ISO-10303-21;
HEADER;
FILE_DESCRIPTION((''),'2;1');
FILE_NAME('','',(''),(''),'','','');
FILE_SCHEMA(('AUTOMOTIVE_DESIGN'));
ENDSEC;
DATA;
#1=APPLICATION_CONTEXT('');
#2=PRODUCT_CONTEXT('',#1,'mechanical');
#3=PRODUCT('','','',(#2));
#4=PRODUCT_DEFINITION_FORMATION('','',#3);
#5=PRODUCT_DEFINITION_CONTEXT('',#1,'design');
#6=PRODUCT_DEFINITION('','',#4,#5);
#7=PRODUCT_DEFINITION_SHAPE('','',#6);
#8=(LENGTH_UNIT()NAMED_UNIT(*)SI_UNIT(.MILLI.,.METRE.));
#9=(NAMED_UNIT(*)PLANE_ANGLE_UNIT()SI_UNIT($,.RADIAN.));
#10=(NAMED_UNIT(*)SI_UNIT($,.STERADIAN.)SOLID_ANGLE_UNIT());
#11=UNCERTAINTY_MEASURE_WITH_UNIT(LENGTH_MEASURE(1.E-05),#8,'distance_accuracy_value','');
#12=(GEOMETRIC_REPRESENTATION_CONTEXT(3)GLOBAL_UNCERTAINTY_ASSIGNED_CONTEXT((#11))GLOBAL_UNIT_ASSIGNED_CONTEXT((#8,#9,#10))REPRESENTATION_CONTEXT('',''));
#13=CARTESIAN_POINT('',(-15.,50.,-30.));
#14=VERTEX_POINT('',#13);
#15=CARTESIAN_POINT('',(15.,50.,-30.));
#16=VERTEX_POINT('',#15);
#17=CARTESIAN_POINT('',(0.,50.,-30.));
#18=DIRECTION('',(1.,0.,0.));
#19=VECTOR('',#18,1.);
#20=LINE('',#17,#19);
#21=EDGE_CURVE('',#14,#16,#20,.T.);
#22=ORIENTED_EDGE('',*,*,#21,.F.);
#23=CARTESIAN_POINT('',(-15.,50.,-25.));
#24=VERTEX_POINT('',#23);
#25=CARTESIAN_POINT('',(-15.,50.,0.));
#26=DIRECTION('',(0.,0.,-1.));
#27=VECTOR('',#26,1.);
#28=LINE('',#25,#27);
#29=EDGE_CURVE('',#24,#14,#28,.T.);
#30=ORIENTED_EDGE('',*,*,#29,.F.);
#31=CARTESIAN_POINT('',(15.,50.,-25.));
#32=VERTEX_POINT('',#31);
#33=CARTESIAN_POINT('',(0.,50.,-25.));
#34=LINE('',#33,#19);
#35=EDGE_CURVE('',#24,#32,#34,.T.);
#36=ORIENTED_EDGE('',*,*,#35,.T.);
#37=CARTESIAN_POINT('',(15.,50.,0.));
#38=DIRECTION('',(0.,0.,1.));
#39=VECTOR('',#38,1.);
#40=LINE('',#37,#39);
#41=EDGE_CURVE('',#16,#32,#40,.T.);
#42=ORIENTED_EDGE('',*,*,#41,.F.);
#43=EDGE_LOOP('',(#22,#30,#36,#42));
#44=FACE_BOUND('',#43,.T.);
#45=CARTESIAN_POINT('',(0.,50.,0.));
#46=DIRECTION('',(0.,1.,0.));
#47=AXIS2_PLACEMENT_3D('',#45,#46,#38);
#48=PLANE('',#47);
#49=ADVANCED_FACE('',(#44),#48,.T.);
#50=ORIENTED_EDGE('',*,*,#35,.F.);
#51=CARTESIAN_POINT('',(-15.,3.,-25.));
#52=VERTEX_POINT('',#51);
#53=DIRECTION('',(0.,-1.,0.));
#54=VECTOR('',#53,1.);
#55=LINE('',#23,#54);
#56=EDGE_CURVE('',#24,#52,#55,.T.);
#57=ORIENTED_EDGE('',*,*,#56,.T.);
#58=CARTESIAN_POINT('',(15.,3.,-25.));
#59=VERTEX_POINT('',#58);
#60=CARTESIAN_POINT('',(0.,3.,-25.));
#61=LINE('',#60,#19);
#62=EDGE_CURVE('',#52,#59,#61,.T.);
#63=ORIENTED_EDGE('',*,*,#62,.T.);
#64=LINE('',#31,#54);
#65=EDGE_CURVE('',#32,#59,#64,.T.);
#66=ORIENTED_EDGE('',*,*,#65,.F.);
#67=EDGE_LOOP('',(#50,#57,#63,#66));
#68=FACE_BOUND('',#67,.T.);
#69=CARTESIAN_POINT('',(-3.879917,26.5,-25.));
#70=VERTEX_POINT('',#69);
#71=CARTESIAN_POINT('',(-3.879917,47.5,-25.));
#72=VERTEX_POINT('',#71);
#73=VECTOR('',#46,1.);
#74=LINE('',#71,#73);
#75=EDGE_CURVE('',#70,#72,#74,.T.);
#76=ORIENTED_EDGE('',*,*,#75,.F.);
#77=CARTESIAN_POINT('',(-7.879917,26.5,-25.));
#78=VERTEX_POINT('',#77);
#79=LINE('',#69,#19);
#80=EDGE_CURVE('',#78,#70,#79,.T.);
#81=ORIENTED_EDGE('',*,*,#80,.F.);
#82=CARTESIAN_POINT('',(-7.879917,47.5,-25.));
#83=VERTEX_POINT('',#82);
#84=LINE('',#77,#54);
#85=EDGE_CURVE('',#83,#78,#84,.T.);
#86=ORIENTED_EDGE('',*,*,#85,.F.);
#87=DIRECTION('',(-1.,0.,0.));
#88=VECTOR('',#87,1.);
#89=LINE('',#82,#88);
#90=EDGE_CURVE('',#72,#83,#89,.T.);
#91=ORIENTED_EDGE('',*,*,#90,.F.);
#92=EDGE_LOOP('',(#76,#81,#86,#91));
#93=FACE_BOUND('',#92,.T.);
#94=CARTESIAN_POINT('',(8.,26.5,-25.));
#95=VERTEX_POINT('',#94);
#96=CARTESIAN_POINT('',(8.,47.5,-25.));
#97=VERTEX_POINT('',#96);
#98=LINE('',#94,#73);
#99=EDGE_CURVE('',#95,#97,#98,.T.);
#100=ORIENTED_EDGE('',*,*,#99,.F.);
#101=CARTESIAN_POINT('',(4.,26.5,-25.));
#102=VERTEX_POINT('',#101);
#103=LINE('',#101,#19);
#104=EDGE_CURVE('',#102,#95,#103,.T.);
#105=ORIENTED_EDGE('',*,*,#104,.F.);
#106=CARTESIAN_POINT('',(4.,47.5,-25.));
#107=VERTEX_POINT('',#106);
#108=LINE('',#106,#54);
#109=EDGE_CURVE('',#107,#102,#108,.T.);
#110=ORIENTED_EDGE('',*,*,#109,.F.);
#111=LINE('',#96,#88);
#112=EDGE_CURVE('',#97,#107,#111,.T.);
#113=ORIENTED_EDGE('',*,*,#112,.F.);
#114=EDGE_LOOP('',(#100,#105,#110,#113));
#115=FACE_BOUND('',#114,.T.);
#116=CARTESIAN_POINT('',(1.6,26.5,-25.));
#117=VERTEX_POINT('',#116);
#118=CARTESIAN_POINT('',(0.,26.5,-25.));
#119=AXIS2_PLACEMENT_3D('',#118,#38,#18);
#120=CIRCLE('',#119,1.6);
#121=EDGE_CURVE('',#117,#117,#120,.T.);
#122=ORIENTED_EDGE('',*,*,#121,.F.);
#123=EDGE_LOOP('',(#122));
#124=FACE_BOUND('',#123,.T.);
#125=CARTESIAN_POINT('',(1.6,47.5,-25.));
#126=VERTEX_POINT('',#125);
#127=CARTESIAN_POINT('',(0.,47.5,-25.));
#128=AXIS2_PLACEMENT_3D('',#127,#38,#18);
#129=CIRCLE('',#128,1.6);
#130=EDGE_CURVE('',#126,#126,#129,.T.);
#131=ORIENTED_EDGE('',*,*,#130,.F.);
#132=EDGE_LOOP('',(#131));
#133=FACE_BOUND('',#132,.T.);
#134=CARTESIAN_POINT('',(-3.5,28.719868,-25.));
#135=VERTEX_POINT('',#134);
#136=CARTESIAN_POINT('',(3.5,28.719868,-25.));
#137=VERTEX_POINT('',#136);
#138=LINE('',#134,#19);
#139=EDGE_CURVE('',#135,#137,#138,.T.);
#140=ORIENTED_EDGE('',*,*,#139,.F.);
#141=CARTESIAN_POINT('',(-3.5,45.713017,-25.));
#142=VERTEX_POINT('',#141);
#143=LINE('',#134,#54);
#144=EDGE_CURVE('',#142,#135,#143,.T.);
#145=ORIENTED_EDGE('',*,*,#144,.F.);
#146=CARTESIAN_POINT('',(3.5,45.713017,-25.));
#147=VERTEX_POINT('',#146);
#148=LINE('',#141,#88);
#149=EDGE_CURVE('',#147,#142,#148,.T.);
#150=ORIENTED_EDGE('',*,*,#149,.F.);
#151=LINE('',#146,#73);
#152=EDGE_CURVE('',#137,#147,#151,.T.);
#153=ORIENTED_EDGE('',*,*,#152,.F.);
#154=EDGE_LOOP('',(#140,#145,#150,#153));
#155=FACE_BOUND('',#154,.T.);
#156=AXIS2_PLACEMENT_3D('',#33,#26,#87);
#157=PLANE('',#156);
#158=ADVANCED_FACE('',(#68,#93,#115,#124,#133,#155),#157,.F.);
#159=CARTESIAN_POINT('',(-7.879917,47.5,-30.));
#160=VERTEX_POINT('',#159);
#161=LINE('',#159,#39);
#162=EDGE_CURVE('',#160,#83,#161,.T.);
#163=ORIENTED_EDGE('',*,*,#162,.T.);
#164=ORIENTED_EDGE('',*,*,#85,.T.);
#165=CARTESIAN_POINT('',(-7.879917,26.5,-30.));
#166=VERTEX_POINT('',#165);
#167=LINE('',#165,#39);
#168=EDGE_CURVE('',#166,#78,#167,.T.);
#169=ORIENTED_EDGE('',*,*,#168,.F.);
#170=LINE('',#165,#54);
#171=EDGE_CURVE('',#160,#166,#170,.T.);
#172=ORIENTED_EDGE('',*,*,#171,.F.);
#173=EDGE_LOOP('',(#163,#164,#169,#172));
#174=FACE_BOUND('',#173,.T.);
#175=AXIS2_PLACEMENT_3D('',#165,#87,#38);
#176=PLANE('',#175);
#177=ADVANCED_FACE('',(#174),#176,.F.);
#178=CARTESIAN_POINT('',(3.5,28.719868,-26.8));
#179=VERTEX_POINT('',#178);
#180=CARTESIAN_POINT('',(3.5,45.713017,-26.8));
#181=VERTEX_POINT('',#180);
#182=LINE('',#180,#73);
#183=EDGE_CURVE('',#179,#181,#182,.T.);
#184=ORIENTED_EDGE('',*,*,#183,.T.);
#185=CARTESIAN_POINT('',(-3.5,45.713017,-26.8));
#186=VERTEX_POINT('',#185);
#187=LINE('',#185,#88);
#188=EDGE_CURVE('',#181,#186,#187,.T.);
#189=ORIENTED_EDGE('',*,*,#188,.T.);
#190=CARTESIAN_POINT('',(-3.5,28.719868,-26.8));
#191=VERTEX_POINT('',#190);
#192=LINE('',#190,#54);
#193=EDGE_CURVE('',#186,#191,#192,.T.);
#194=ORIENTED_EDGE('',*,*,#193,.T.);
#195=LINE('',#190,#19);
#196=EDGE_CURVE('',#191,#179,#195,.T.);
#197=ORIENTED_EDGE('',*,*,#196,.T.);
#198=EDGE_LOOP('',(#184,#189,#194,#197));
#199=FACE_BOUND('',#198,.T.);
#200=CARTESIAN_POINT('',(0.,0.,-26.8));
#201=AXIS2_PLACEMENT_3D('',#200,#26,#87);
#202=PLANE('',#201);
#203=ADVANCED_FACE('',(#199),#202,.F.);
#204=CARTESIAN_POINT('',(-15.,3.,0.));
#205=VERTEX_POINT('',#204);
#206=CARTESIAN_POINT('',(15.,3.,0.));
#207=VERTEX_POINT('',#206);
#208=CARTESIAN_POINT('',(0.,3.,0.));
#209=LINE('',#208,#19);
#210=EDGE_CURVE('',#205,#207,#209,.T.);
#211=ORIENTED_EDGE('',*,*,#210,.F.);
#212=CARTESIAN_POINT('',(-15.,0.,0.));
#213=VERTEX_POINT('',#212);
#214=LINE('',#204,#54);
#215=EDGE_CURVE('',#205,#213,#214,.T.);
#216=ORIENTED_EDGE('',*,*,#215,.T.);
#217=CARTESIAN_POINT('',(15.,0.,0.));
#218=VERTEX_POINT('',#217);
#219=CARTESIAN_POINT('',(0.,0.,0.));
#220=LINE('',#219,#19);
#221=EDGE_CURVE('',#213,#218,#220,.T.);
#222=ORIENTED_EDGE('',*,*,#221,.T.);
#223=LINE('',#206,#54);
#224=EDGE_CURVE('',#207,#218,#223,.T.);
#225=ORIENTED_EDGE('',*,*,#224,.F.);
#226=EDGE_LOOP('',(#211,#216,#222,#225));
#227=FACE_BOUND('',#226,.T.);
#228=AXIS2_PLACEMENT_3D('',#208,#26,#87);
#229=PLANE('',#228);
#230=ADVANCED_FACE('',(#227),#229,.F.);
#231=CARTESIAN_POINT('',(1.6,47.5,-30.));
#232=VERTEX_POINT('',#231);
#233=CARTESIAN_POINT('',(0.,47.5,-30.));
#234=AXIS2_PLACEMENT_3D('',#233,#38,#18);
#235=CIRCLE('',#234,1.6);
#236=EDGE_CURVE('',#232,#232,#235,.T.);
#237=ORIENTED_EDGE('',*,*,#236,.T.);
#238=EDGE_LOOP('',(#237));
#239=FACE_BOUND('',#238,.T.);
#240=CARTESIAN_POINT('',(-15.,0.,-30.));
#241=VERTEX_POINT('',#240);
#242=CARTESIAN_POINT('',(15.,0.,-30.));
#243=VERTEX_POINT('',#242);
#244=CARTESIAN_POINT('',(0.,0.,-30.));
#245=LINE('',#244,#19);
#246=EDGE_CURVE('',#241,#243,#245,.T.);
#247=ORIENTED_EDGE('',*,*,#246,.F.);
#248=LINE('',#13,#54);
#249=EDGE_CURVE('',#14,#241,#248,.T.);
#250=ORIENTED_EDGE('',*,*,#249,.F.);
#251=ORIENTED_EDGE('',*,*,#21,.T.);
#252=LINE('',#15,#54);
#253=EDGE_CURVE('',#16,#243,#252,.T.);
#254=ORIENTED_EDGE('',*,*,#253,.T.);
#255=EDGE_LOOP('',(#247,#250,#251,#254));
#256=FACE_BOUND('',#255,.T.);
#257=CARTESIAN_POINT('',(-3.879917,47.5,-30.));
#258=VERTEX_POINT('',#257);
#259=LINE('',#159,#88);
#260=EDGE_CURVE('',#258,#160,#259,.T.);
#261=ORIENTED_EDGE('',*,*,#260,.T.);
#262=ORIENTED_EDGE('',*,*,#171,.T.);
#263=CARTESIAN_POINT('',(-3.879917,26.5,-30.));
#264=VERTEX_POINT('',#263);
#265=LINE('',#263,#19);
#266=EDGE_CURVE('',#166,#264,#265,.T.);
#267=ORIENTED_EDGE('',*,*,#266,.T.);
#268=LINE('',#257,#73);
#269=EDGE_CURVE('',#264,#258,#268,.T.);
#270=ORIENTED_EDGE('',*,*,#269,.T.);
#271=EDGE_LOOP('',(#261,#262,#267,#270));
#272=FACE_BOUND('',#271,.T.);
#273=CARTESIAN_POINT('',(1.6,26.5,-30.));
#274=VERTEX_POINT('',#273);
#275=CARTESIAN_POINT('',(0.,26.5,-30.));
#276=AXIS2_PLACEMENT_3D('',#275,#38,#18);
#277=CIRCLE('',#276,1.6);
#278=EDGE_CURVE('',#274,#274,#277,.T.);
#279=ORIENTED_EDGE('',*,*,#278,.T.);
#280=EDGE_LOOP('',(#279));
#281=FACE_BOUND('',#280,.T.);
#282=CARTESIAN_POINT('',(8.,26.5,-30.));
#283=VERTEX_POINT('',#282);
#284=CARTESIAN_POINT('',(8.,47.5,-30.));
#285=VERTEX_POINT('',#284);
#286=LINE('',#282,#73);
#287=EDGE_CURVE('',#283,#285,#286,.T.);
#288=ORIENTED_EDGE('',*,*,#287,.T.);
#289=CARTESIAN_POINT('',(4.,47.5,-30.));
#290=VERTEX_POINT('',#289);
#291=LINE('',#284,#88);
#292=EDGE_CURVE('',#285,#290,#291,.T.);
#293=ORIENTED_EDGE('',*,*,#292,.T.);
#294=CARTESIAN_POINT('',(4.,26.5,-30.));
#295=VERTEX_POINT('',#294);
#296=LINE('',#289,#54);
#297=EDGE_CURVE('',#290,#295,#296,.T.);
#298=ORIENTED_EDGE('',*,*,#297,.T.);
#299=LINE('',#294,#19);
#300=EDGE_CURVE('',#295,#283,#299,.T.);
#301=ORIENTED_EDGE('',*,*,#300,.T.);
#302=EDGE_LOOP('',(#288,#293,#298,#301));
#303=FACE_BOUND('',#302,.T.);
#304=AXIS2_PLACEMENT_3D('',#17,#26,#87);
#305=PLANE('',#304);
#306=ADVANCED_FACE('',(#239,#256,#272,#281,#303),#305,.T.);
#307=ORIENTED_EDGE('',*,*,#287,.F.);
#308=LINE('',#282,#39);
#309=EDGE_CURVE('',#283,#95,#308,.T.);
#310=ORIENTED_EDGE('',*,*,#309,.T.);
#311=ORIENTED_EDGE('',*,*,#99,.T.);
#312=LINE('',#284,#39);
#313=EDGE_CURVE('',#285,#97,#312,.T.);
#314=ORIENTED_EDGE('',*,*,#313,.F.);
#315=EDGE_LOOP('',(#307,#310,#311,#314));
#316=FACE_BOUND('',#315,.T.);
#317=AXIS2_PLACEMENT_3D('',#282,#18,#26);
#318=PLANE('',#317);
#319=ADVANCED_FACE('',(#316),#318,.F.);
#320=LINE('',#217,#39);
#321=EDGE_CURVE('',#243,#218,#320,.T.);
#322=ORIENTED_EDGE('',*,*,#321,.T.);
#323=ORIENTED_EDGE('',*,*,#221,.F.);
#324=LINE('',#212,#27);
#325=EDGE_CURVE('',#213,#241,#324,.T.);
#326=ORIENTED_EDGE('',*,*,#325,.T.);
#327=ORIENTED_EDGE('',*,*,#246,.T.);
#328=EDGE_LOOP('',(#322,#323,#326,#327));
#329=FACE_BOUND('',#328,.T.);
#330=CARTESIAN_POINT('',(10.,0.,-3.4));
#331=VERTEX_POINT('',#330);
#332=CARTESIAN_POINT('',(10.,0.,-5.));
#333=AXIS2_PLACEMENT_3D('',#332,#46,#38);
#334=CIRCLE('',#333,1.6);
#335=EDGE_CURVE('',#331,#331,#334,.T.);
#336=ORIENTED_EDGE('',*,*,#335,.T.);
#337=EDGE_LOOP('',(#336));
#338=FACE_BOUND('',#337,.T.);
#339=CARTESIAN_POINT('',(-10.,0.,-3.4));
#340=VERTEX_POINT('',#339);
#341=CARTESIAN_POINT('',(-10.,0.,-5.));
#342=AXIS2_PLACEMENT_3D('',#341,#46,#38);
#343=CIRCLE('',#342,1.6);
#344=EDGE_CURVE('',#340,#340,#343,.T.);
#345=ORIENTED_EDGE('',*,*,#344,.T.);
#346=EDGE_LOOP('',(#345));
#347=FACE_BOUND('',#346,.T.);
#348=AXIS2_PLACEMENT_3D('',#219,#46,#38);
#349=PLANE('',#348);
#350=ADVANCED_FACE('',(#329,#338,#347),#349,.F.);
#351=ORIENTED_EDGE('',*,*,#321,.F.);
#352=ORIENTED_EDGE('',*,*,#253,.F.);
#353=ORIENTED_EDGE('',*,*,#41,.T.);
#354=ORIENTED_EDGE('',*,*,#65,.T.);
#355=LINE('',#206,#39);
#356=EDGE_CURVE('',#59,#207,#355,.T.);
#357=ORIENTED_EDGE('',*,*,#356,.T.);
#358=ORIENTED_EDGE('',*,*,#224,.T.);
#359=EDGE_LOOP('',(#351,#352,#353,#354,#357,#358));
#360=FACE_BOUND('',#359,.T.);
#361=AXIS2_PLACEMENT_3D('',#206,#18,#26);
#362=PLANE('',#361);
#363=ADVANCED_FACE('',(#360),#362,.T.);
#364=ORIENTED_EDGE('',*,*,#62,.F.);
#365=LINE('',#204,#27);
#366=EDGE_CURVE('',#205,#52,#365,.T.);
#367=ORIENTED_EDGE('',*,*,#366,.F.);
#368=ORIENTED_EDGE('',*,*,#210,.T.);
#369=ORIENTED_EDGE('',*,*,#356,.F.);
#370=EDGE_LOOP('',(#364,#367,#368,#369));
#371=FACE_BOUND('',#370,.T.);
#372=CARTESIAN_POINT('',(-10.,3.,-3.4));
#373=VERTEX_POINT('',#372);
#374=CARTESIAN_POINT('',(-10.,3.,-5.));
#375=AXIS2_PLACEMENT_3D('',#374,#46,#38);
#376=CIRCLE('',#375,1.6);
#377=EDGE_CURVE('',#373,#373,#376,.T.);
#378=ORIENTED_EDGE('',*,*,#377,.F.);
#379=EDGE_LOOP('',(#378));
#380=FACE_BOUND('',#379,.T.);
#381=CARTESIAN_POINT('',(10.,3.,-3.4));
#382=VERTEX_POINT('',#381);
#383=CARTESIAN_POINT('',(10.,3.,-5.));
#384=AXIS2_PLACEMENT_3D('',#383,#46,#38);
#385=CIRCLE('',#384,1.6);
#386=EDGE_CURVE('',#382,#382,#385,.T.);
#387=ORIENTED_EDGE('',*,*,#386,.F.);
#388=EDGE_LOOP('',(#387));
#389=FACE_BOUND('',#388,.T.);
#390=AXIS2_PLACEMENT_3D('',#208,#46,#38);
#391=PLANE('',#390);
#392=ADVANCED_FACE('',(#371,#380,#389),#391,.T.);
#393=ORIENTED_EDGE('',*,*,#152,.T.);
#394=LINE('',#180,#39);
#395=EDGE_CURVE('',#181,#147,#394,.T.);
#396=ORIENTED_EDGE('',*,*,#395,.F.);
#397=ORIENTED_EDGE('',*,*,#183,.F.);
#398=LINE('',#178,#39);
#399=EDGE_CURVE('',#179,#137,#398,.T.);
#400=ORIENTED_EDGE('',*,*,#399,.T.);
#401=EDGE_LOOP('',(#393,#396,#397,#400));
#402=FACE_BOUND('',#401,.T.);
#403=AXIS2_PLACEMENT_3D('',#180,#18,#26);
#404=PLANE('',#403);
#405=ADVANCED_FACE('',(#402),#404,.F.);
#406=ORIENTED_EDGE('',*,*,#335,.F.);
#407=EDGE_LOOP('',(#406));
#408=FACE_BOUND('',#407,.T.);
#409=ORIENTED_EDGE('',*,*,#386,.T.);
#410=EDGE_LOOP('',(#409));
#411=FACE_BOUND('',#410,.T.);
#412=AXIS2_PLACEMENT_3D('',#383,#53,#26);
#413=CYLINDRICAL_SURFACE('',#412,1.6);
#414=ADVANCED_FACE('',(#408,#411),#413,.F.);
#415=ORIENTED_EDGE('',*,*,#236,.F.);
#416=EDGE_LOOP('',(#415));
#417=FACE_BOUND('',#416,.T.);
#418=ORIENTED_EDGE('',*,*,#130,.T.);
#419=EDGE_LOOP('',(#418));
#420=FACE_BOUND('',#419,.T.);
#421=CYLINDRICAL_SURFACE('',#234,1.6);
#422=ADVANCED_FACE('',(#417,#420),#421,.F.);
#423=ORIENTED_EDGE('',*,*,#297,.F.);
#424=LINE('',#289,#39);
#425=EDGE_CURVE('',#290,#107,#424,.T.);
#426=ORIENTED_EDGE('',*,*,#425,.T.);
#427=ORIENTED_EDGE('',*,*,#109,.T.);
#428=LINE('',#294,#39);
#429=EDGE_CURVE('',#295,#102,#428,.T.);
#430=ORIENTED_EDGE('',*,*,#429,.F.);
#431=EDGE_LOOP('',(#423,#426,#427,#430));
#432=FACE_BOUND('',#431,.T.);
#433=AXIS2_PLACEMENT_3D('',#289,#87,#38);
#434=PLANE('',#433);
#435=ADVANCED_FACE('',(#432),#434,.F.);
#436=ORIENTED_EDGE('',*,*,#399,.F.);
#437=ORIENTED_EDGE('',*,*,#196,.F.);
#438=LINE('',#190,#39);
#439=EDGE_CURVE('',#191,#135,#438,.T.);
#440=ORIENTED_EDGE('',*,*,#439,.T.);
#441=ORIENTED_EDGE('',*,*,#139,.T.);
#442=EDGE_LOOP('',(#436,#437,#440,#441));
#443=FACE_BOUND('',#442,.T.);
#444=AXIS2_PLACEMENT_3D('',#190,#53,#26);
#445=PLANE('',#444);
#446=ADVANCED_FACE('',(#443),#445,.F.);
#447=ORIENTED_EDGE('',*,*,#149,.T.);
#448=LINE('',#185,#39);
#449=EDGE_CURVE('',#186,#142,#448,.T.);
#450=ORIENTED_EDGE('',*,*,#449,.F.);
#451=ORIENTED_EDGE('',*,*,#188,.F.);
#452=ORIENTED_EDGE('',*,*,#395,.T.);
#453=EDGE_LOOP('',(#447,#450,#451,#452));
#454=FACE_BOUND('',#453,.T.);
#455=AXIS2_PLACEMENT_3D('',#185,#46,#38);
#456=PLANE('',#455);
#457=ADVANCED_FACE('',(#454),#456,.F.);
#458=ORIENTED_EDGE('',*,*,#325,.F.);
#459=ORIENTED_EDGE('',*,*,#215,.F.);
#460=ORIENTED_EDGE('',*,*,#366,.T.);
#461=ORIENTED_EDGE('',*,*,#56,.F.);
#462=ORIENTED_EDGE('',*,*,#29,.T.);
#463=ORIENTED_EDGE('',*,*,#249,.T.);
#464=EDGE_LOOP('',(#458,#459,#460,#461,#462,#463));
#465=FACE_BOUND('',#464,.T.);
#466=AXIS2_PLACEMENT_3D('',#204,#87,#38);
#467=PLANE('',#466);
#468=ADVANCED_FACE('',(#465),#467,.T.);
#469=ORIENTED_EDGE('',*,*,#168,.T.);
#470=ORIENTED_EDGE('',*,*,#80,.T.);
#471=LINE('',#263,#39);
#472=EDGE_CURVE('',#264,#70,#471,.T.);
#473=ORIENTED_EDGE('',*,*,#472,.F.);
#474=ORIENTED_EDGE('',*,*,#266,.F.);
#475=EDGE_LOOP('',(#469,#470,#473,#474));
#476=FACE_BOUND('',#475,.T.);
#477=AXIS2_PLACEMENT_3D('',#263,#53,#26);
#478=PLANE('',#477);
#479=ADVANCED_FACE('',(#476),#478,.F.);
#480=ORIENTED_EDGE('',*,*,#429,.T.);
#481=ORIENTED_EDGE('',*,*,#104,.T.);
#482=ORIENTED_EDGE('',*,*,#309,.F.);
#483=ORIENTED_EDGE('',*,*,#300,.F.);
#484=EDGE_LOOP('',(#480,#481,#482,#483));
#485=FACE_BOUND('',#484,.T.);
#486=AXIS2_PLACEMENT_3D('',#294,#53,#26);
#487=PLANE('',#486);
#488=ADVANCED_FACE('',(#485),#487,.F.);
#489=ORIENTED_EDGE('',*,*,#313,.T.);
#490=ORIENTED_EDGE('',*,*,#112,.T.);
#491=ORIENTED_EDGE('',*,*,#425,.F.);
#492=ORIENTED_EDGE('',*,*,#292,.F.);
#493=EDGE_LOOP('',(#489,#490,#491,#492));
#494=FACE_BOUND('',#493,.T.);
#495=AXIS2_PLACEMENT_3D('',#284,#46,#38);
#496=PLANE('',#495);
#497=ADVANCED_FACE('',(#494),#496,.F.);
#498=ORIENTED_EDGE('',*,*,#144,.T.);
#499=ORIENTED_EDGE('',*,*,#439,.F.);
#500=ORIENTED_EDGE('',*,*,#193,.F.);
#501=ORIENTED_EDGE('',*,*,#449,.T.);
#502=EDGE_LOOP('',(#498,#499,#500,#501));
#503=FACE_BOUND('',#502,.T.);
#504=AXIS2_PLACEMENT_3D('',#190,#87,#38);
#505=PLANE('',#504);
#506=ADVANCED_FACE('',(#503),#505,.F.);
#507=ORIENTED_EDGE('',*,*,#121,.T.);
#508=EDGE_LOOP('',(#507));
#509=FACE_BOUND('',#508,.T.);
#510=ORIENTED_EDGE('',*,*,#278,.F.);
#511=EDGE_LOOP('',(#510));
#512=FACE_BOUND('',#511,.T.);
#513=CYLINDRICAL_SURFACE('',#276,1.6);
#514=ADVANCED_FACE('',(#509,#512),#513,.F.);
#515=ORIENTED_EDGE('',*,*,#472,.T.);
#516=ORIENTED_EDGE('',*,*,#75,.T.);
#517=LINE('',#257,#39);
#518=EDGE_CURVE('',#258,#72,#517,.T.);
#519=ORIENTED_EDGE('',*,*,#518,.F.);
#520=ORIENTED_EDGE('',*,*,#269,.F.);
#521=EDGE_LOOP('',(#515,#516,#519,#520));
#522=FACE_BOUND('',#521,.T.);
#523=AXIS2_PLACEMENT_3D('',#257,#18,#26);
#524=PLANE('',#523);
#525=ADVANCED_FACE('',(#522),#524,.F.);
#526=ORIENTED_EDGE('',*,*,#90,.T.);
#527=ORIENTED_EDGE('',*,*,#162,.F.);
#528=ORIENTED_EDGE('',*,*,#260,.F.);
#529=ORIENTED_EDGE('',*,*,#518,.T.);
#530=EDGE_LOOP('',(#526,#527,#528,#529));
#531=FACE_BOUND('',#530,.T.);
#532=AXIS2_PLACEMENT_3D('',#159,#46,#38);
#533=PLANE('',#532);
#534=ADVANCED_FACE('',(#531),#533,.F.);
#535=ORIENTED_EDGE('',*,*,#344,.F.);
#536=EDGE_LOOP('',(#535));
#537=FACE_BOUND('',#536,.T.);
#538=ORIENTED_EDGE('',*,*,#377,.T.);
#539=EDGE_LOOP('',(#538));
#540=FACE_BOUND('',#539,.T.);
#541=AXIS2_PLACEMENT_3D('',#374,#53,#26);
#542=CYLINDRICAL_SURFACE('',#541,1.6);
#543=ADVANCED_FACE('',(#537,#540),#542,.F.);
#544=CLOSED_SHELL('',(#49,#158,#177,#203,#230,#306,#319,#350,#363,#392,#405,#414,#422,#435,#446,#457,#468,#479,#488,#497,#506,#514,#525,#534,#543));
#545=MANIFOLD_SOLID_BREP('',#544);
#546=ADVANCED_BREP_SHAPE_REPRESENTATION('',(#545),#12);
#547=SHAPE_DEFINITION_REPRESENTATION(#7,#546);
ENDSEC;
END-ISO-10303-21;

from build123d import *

# Parameters (mm, degrees)
SKETCH_1_R          = 1.6
EXTRUDE_1_DEPTH     = 3
EXTRUDE_2_DEPTH     = 50
SKETCH_2_R          = 1.6
SKETCH_2_W          = 4
SKETCH_2_H          = 21
CUT_EXTRUDE_1_DEPTH = 6
SKETCH_3_W          = 7
SKETCH_3_H          = 16.993149035
CUT_EXTRUDE_5_DEPTH = 1.8


with BuildPart() as part:
    # 草图1 → 凸台-拉伸1 (new body)
    with BuildSketch(Plane(origin=(0, 0, 0), x_dir=(1, 0, 0), z_dir=(0, 1, 0))):
        Polygon((-10, 0), (0, 0), (10, 0), (15, 0), (15, 25), (10, 25), (-15, 25), (-15, 0), align=None)
        with Locations((-10, 5)):
            Circle(SKETCH_1_R, mode=Mode.SUBTRACT)
        with BuildLine():
            ThreePointArc((11.6, 5), (8.86862915, 3.86862915), (10, 6.6))
            ThreePointArc((10, 6.6), (11.13137085, 6.13137085), (11.6, 5))
        make_face(mode=Mode.SUBTRACT)
    extrude(amount=EXTRUDE_1_DEPTH)

    # 草图1<3> → 凸台-拉伸2 (add)
    with BuildSketch(Plane(origin=(0, 0, 0), x_dir=(1, 0, 0), z_dir=(0, 1, 0))):
        Polygon((10, 25), (15, 25), (15, 30), (-15, 30), (-15, 25), align=None)
    extrude(amount=EXTRUDE_2_DEPTH)

    # 草图2 → 切除-拉伸1 (cut, through all)
    with BuildSketch(Plane.XY.offset(-25)):
        with Locations((0, 47.5)):
            Circle(SKETCH_2_R)
        with Locations((0, 26.5)):
            Circle(SKETCH_2_R)
        with Locations((6, 37)):
            Rectangle(SKETCH_2_W, SKETCH_2_H)
        with Locations((-5.879917392, 37)):
            Rectangle(SKETCH_2_W, SKETCH_2_H)
    extrude(amount=-CUT_EXTRUDE_1_DEPTH, mode=Mode.SUBTRACT)

    # 草图3 → 切除-拉伸5 (cut)
    with BuildSketch(Plane.XY.offset(-25)):
        with Locations((0, 37.216442025)):
            Rectangle(SKETCH_3_W, SKETCH_3_H)
    extrude(amount=-CUT_EXTRUDE_5_DEPTH, mode=Mode.SUBTRACT)


solid = part.part
